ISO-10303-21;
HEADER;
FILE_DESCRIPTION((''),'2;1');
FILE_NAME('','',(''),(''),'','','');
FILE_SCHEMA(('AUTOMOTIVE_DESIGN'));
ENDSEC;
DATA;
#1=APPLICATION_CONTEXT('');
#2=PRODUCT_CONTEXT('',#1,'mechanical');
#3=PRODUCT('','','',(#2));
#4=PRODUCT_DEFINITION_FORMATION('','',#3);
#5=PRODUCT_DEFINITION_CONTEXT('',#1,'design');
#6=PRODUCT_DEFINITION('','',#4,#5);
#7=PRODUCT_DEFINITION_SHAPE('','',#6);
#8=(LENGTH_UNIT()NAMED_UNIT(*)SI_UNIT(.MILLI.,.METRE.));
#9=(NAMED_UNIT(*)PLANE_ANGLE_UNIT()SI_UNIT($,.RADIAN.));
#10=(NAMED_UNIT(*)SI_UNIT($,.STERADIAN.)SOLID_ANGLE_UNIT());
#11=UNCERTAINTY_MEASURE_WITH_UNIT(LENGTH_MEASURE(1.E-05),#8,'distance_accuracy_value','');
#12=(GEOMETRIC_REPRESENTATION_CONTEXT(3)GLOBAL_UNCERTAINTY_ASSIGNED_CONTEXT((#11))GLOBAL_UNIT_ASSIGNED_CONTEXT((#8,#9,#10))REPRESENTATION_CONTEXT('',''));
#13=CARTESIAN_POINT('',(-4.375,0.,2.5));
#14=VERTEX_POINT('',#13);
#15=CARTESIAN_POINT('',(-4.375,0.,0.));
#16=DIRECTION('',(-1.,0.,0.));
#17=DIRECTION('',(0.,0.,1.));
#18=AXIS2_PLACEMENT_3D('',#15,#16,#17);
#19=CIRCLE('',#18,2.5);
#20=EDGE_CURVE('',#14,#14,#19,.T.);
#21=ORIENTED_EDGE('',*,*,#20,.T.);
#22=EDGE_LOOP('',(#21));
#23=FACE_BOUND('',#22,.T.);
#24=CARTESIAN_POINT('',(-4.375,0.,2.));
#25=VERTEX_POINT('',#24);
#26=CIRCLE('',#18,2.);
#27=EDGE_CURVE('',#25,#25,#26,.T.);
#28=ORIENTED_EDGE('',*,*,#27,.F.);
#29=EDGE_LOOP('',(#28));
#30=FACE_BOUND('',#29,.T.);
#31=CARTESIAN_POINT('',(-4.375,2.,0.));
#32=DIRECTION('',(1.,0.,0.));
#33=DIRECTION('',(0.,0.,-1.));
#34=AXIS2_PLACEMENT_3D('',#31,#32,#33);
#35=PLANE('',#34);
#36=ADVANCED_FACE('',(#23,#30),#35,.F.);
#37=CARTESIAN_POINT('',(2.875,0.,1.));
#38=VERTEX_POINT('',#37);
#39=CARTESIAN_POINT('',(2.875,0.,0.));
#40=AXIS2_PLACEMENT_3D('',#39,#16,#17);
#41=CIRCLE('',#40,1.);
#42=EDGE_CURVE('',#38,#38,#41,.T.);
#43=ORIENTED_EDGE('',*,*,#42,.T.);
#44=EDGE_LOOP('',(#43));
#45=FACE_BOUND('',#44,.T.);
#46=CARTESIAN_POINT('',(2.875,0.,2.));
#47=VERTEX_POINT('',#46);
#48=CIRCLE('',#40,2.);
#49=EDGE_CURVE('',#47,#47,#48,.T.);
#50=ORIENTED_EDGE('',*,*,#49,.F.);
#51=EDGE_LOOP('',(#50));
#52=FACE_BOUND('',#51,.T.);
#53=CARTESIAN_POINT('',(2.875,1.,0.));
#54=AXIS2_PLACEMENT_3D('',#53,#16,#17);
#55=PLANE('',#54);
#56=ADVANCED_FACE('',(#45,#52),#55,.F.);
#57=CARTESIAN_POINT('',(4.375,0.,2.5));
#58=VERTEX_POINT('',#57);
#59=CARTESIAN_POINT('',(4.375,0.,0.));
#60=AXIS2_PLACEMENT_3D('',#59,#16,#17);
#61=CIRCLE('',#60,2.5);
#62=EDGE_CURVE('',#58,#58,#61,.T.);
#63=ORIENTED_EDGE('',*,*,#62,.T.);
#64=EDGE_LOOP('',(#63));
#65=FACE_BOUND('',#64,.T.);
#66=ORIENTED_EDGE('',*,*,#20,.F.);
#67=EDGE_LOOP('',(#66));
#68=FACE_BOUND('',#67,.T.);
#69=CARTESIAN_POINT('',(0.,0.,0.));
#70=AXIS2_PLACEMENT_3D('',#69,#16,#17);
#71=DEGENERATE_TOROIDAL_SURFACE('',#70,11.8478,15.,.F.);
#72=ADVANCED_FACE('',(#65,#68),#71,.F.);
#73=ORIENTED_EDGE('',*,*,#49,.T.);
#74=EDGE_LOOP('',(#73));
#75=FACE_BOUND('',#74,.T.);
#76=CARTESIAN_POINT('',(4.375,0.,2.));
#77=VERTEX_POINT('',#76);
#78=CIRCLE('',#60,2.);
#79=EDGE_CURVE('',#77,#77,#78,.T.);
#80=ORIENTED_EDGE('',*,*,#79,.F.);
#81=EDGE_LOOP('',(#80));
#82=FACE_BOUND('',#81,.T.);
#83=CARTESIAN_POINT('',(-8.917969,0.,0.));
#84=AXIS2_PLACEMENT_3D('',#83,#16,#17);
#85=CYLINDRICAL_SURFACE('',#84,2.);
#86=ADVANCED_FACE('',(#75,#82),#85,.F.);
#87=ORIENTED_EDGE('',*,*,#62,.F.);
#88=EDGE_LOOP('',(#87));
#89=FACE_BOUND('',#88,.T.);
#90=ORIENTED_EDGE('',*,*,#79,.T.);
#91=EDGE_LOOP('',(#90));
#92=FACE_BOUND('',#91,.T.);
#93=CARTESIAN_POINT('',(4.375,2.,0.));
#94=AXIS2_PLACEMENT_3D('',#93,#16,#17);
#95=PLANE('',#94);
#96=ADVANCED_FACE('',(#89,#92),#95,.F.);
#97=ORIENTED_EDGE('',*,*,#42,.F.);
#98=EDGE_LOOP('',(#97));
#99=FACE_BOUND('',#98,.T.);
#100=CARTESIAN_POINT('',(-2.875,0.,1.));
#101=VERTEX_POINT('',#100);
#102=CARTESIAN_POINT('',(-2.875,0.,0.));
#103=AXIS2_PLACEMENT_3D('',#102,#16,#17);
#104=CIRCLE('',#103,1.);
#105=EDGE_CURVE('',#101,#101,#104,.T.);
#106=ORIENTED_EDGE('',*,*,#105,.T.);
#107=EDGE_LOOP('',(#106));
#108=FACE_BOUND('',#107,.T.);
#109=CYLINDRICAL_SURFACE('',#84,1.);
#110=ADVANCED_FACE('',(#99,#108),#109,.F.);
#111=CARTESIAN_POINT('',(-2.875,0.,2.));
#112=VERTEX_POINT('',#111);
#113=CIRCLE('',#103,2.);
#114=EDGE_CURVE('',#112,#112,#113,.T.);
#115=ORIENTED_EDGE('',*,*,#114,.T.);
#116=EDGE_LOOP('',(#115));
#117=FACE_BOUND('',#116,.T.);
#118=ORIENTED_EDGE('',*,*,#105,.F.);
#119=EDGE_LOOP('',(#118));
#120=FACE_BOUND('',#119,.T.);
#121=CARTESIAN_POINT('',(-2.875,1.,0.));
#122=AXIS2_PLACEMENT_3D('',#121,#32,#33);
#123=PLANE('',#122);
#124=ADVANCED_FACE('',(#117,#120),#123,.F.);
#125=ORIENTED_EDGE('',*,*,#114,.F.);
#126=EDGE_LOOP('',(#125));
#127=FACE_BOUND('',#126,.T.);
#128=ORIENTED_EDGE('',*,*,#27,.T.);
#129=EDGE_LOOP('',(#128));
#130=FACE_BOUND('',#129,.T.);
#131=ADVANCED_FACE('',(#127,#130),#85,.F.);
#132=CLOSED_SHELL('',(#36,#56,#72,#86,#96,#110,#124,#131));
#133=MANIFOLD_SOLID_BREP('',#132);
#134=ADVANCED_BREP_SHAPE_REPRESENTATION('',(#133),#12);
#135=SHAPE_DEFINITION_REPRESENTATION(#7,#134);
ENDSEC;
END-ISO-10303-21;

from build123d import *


with BuildPart() as part:
    # Sketch2 → Revolve1 (revolve)
    with BuildSketch(Plane.XY, mode=Mode.PRIVATE) as revolve1_sk:
        with BuildLine():
            Line((-2.875, 1), (2.875, 1))
            Line((2.875, 1), (2.875, 2))
            Line((2.875, 2), (4.375, 2))
            Line((4.375, 2), (4.375, 2.5))
            ThreePointArc((4.375, 2.5), (0, 3.152199646), (-4.375, 2.5))
            Line((-4.375, 2.5), (-4.375, 2))
            Line((-4.375, 2), (-2.875, 2))
            Line((-2.875, 2), (-2.875, 1))
        make_face()
    revolve(revolve1_sk.sketch.rotate(Axis((-8.91796875, 0, 0), (1, 0, 0)), 90), axis=Axis((-8.91796875, 0, 0), (1, 0, 0)))


solid = part.part
